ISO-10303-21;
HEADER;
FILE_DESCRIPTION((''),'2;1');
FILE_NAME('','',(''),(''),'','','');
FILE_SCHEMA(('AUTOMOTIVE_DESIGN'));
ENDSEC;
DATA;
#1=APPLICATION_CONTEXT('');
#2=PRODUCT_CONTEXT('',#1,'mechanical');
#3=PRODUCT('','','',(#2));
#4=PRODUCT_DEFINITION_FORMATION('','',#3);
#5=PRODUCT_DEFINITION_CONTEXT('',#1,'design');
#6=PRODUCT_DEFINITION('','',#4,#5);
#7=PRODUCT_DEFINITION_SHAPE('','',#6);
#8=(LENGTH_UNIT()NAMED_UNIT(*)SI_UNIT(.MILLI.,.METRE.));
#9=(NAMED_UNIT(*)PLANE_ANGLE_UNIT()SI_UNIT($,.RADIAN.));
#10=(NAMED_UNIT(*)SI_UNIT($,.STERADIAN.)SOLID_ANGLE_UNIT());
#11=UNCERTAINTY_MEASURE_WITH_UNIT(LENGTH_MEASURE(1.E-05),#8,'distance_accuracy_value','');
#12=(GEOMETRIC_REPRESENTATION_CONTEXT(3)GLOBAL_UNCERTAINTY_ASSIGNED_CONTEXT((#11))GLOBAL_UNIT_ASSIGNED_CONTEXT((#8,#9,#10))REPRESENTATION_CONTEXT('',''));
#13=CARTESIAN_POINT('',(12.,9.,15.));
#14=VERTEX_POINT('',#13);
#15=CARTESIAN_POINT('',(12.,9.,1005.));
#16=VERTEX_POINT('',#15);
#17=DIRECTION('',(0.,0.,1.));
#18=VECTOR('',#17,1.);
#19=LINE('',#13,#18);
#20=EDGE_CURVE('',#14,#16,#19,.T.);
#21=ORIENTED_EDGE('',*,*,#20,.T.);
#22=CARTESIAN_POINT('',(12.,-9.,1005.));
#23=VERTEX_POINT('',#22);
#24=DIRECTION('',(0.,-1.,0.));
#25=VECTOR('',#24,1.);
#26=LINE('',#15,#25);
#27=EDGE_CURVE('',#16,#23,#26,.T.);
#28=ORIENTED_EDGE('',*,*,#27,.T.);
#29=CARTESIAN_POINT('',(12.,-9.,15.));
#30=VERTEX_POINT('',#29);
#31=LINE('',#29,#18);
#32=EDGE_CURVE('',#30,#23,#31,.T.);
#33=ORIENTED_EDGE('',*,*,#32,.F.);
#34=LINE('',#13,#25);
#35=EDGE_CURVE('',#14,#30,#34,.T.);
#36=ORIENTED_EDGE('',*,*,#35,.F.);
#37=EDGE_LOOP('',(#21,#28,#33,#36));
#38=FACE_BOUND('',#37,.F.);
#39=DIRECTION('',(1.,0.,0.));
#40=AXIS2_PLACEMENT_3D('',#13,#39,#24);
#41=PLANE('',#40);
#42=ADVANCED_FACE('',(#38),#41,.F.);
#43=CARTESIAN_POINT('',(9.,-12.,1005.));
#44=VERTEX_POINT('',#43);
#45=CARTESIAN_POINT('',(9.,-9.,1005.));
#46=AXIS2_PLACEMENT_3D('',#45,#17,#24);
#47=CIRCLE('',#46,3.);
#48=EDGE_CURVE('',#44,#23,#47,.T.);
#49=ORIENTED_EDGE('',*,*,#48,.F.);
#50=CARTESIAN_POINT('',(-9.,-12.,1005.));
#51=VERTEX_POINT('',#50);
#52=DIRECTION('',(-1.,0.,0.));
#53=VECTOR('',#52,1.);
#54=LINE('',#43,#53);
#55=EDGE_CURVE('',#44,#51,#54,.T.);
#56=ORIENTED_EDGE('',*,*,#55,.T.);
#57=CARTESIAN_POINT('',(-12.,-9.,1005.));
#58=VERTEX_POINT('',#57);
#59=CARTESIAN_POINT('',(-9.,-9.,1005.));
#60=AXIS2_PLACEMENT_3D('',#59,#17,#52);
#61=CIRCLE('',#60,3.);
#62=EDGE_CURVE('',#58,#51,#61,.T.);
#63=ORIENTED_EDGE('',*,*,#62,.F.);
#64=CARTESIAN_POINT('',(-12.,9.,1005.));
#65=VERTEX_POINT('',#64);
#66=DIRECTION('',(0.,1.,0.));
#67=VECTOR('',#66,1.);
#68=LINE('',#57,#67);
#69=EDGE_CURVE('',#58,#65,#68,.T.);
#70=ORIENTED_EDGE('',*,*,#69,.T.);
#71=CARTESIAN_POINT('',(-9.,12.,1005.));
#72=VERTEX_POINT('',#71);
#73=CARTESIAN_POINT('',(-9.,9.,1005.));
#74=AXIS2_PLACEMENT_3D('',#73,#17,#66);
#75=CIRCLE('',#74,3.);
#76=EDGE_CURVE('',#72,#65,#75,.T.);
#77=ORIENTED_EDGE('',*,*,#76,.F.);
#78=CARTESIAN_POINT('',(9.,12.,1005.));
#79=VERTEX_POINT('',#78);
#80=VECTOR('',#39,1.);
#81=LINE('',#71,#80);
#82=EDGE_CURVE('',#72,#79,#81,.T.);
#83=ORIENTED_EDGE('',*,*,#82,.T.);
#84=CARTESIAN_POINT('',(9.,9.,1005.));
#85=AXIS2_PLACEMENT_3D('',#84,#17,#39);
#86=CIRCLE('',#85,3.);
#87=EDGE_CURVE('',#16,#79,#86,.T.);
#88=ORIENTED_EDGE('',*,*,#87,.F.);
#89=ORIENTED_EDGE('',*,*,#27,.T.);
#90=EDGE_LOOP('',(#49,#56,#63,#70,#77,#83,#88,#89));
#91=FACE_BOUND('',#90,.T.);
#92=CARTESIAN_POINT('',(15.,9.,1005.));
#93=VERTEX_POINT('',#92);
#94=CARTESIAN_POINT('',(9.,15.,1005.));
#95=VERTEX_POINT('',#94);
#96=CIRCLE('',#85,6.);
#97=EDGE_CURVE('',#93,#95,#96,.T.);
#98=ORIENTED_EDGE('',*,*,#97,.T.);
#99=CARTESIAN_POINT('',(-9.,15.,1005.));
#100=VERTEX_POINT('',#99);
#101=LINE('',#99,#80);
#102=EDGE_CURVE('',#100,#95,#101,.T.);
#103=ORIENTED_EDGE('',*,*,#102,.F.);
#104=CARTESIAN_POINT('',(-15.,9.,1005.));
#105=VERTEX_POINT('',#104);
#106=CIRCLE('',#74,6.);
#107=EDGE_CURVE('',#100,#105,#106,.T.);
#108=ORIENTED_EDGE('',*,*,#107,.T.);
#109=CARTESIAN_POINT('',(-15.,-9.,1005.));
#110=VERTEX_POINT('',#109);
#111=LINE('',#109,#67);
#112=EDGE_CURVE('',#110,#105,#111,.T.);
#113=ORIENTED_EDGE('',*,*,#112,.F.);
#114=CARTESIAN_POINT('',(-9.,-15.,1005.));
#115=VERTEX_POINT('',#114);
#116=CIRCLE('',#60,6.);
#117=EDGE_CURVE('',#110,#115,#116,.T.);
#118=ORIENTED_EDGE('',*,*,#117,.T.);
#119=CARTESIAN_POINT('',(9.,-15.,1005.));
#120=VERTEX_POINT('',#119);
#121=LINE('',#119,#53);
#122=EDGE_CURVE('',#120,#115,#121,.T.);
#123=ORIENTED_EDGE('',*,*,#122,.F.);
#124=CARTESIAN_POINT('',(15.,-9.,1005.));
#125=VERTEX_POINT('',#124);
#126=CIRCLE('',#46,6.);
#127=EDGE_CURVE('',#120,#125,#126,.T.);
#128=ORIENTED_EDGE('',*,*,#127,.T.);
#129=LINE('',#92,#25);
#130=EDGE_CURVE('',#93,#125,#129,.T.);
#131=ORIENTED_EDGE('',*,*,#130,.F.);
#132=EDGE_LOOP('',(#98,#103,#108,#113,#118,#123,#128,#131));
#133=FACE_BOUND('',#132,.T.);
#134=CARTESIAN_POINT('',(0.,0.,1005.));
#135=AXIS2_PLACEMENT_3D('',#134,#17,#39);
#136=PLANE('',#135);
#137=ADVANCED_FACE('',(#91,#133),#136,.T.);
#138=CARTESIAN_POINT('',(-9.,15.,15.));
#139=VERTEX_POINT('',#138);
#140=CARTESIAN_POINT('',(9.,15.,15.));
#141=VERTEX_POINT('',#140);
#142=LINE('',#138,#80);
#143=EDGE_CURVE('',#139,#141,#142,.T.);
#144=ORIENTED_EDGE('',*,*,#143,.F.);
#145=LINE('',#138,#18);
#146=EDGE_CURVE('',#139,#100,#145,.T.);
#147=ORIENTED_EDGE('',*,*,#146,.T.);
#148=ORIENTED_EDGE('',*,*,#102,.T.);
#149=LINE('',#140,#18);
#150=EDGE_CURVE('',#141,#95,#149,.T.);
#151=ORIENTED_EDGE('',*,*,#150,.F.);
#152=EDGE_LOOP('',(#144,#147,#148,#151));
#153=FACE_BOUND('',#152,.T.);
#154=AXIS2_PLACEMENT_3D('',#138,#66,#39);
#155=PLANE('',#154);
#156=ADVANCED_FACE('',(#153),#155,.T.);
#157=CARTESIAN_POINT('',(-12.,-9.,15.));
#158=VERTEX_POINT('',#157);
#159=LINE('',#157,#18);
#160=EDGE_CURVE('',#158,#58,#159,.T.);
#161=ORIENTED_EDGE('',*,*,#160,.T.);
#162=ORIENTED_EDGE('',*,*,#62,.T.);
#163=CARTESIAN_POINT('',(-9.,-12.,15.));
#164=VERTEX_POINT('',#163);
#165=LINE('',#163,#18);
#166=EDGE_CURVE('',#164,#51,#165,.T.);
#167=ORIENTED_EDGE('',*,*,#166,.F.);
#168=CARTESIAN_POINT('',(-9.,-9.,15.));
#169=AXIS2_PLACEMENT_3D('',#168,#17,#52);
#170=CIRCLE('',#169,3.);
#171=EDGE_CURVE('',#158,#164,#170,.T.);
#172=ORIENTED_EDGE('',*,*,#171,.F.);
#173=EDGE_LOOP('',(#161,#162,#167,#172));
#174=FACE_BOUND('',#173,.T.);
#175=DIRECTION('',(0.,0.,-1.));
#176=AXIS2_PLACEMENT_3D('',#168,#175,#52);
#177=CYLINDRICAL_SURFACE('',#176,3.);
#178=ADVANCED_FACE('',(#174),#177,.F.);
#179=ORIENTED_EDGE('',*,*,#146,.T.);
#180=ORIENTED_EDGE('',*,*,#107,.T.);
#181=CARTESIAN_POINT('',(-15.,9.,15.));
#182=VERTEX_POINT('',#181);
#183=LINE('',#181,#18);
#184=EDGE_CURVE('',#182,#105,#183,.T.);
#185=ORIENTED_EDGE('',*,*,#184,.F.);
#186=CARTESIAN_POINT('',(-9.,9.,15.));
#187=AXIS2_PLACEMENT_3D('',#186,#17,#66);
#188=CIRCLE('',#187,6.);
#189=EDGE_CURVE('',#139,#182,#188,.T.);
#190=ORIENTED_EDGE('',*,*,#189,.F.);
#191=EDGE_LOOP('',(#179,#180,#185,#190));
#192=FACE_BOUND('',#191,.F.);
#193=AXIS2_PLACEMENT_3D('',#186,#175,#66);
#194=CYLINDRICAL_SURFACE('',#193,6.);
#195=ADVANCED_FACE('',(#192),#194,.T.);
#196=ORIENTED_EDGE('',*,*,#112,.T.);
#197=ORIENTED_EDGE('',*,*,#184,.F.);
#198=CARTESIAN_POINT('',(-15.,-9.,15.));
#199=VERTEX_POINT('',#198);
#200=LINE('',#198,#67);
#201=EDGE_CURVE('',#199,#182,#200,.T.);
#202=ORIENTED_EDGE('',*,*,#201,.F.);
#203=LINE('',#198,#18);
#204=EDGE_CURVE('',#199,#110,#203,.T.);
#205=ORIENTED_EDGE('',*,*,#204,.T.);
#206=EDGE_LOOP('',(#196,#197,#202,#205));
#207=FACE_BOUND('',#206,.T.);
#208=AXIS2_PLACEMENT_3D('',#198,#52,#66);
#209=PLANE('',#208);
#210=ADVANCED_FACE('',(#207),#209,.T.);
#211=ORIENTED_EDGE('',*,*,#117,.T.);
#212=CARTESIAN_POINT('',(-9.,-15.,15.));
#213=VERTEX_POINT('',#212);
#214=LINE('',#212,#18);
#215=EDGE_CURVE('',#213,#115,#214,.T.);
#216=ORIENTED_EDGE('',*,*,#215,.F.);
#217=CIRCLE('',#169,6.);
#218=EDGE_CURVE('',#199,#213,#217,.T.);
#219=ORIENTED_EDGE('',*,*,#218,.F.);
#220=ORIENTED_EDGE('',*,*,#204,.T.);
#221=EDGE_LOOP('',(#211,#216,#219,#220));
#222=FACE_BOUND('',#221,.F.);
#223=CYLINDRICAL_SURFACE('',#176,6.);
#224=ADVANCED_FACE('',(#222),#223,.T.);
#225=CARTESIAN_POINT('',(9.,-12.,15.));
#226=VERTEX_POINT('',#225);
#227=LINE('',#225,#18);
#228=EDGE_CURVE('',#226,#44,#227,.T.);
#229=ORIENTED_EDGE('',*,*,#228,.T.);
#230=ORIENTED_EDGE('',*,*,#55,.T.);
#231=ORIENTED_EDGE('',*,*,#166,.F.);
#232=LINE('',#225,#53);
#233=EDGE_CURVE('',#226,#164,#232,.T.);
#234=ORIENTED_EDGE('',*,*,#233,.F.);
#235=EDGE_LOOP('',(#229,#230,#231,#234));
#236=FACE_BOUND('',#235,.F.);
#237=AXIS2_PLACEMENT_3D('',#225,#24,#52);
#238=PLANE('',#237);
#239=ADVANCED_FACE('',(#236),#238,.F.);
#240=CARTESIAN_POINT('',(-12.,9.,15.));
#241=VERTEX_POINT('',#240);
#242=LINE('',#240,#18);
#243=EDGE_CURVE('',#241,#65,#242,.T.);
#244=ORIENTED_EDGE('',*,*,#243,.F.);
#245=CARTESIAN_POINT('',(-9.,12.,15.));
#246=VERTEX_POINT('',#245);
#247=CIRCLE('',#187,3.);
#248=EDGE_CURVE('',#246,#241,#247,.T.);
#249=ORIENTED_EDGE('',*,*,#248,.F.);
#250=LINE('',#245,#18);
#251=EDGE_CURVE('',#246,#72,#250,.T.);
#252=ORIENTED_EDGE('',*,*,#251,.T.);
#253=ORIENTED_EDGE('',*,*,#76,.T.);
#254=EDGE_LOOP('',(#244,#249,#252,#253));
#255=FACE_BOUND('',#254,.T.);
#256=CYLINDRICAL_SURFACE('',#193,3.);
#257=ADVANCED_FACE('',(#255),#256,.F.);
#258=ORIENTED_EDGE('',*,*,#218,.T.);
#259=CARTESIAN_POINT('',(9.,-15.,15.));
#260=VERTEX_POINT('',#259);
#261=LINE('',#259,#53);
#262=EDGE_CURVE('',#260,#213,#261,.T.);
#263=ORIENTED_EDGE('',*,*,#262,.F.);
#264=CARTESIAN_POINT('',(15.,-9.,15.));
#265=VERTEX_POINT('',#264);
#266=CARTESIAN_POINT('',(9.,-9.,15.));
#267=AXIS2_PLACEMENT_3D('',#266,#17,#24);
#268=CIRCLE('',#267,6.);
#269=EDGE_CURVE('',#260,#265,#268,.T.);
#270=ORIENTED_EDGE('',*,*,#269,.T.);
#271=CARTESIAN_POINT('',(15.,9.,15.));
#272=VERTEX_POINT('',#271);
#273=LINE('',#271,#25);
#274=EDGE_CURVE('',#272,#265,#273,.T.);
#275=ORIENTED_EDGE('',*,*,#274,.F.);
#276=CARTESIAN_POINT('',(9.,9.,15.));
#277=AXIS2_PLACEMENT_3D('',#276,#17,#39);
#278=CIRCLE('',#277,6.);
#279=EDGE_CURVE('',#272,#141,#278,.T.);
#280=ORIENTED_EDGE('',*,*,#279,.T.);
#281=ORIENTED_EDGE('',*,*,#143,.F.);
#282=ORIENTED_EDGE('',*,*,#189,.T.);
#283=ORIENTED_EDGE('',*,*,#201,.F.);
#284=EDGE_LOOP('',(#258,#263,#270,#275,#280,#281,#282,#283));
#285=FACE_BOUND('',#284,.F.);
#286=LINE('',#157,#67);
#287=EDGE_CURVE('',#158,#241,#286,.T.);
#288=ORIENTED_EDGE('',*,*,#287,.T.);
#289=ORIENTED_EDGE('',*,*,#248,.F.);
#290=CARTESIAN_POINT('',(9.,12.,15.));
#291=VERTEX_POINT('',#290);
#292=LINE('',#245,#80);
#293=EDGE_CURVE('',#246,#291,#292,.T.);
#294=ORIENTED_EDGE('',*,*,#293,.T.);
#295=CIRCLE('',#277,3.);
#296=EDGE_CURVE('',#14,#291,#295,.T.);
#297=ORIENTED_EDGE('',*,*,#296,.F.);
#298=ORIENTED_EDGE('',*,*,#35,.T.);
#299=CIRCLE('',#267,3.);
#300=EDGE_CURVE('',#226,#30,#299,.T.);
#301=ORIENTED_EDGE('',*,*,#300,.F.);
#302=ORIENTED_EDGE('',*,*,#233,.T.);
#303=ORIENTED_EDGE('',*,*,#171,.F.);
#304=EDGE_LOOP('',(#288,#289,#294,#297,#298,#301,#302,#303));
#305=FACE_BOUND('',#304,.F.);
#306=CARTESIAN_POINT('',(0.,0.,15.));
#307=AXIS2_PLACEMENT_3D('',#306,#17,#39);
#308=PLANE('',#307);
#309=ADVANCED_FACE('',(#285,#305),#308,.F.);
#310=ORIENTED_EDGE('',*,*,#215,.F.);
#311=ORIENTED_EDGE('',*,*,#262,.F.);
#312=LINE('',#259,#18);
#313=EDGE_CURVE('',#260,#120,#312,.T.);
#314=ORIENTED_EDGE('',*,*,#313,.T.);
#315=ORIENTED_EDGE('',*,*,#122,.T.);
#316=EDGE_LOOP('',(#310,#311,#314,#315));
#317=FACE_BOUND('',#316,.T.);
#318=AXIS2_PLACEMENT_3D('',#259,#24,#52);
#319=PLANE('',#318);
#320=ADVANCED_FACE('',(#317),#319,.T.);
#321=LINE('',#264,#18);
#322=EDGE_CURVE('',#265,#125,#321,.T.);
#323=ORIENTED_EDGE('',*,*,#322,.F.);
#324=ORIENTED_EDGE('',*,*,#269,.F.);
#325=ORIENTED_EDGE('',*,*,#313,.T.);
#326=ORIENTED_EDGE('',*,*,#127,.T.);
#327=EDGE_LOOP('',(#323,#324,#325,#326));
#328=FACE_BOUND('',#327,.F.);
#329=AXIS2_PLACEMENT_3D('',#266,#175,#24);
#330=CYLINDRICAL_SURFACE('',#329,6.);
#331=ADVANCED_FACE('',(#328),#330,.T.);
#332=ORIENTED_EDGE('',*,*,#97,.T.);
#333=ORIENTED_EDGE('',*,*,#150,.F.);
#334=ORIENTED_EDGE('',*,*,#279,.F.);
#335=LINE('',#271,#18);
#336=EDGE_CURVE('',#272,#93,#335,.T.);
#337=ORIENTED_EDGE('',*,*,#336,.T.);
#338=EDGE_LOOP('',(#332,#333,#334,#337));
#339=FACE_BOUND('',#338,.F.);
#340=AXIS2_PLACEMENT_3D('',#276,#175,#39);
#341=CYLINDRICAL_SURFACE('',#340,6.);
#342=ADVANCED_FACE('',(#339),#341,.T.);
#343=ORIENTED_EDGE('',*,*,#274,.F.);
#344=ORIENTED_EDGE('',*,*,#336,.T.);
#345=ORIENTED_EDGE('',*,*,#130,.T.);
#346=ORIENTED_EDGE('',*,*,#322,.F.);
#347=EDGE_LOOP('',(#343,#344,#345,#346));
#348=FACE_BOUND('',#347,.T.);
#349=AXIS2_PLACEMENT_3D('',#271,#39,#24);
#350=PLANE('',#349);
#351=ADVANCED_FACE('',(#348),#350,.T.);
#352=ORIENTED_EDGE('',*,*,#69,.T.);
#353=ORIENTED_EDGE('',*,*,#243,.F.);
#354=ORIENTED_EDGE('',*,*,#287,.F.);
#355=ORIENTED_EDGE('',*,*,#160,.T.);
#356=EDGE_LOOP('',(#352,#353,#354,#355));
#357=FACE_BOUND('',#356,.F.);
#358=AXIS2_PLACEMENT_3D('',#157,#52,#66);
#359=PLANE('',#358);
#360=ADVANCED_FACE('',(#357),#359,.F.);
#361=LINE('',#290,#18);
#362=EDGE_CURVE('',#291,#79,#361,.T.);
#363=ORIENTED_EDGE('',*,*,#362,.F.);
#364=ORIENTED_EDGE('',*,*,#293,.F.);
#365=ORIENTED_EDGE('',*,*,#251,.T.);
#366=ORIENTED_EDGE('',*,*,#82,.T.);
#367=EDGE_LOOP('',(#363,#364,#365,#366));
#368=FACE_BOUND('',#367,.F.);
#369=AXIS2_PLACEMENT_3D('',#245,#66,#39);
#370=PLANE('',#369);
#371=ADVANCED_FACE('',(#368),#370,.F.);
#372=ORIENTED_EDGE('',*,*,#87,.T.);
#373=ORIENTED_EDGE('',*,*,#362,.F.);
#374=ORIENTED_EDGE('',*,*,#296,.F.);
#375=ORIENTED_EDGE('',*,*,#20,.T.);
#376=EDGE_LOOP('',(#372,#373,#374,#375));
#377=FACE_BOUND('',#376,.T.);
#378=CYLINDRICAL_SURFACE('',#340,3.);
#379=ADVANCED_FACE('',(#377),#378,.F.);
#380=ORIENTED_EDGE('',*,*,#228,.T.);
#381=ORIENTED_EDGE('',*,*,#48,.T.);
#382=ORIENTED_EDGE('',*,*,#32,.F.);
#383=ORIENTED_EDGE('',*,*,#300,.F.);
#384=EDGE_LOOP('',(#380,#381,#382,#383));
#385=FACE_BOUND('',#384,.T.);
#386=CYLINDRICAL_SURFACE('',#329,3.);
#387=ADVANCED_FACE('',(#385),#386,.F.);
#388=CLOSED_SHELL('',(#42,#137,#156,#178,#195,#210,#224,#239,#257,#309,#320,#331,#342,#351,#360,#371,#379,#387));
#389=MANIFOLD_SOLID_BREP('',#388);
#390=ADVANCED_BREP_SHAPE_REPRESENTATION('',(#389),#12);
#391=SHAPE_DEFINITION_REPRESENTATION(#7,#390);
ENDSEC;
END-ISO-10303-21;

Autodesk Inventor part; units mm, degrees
ref_plane "Start Plane" through (0, 0, 15) normal (0, 0, 1) x (1, 0, 0)
ref_plane "End Plane" through (0, 0, 1005) normal (0, 0, 1) x (1, 0, 0)
sketch "Sketch" plane through (0, 0, 0) normal (0, 0, 1) x (1, 0, 0)
  line L0 (-15, -9) -> (-15, 9)
  line L1 (-9, 15) -> (9, 15)
  line L2 (15, 9) -> (15, -9)
  line L3 (9, -15) -> (-9, -15)
  arc A0 (-15, -9) -> (-9, -15) centre (-9, -9) ccw
  arc A1 (-9, 15) -> (-15, 9) centre (-9, 9) ccw
  arc A2 (15, 9) -> (9, 15) centre (9, 9) ccw
  arc A3 (9, -15) -> (15, -9) centre (9, -9) ccw
  arc A4 (-9, 12) -> (-12, 9) centre (-9, 9) ccw
  line L4 (-9, 12) -> (9, 12)
  arc A5 (12, 9) -> (9, 12) centre (9, 9) ccw
  line L5 (12, 9) -> (12, -9)
  arc A6 (9, -12) -> (12, -9) centre (9, -9) ccw
  line L6 (9, -12) -> (-9, -12)
  arc A7 (-12, -9) -> (-9, -12) centre (-9, -9) ccw
  line L7 (-12, -9) -> (-12, 9)
  line L8 (0, 22.7397) -> (0, -22.7397) construction
  line L9 (-22.7397, 0) -> (22.7397, 0) construction
  dimension "d7" = 6
  dimension "d10" = 30
  dimension "d11" = 30
  dimension "d12" = 3
  dimension "d15" = 15
  dimension "d16" = 15
extrude "Body" add sketch "Sketch" along normal up to surface (990 mm away) from surface at 15
sketch "Sketch3" plane through (0, 0, 0) normal (0, 0, 1) x (1, 0, 0)
  line L0 (0, 0) -> (10, 0)
ref_plane "Work Plane3" through (0, 0, 0) normal (0, -1, 0) x (1, 0, 0)
ref_plane "Work Plane4" through (9, 1722, 1005) normal (0, 0, 1) x (1, 0, 0)
split "Split1" plane through (9, 1722, 1005) removes the side toward (0, 0, 1)
ref_plane "Work Plane5" through (1000, 9, 15) normal (0, 0, -1) x (-1, 0, 0)
split "Split2" plane through (1000, 9, 15) removes the side toward (0, 0, -1)
sketch "Sketch4" plane through (0, 0, 0) normal (0, -1, 0) x (1, 0, 0)
  line L0 (-2, 15) -> (12, 15) projected
  line L1 (-2, 1005) -> (12, 1005) projected
  dimension "d18" = 990
equation "\"d7\" = G_IR"
equation "\"d10\" = G_H"
equation "\"d11\" = G_W"
equation "\"d12\" = G_T"
equation "\"d15\" = 0.5 * d10"
equation "\"d16\" = 0.5 * d11"
equation "\"d3\" = G_L"
equation "\"G_W\" = 30"
equation "\"G_H\" = 30"
equation "\"G_T\" = 3"
equation "\"G_IR\" = 6"
equation "\"G_L\" = d18"
equation "\"G_OFFSET_START\" = -15"
equation "\"G_OFFSET_END\" = -15"
equation "\"d13\" = -G_OFFSET_START"
equation "\"d14\" = G_OFFSET_END + B_L"
equation "\"B_L\" = 1020"
properties part number "DIN EN 10219-2 - 30 x 30 x 3  - 990" material "Steel, Mild"
